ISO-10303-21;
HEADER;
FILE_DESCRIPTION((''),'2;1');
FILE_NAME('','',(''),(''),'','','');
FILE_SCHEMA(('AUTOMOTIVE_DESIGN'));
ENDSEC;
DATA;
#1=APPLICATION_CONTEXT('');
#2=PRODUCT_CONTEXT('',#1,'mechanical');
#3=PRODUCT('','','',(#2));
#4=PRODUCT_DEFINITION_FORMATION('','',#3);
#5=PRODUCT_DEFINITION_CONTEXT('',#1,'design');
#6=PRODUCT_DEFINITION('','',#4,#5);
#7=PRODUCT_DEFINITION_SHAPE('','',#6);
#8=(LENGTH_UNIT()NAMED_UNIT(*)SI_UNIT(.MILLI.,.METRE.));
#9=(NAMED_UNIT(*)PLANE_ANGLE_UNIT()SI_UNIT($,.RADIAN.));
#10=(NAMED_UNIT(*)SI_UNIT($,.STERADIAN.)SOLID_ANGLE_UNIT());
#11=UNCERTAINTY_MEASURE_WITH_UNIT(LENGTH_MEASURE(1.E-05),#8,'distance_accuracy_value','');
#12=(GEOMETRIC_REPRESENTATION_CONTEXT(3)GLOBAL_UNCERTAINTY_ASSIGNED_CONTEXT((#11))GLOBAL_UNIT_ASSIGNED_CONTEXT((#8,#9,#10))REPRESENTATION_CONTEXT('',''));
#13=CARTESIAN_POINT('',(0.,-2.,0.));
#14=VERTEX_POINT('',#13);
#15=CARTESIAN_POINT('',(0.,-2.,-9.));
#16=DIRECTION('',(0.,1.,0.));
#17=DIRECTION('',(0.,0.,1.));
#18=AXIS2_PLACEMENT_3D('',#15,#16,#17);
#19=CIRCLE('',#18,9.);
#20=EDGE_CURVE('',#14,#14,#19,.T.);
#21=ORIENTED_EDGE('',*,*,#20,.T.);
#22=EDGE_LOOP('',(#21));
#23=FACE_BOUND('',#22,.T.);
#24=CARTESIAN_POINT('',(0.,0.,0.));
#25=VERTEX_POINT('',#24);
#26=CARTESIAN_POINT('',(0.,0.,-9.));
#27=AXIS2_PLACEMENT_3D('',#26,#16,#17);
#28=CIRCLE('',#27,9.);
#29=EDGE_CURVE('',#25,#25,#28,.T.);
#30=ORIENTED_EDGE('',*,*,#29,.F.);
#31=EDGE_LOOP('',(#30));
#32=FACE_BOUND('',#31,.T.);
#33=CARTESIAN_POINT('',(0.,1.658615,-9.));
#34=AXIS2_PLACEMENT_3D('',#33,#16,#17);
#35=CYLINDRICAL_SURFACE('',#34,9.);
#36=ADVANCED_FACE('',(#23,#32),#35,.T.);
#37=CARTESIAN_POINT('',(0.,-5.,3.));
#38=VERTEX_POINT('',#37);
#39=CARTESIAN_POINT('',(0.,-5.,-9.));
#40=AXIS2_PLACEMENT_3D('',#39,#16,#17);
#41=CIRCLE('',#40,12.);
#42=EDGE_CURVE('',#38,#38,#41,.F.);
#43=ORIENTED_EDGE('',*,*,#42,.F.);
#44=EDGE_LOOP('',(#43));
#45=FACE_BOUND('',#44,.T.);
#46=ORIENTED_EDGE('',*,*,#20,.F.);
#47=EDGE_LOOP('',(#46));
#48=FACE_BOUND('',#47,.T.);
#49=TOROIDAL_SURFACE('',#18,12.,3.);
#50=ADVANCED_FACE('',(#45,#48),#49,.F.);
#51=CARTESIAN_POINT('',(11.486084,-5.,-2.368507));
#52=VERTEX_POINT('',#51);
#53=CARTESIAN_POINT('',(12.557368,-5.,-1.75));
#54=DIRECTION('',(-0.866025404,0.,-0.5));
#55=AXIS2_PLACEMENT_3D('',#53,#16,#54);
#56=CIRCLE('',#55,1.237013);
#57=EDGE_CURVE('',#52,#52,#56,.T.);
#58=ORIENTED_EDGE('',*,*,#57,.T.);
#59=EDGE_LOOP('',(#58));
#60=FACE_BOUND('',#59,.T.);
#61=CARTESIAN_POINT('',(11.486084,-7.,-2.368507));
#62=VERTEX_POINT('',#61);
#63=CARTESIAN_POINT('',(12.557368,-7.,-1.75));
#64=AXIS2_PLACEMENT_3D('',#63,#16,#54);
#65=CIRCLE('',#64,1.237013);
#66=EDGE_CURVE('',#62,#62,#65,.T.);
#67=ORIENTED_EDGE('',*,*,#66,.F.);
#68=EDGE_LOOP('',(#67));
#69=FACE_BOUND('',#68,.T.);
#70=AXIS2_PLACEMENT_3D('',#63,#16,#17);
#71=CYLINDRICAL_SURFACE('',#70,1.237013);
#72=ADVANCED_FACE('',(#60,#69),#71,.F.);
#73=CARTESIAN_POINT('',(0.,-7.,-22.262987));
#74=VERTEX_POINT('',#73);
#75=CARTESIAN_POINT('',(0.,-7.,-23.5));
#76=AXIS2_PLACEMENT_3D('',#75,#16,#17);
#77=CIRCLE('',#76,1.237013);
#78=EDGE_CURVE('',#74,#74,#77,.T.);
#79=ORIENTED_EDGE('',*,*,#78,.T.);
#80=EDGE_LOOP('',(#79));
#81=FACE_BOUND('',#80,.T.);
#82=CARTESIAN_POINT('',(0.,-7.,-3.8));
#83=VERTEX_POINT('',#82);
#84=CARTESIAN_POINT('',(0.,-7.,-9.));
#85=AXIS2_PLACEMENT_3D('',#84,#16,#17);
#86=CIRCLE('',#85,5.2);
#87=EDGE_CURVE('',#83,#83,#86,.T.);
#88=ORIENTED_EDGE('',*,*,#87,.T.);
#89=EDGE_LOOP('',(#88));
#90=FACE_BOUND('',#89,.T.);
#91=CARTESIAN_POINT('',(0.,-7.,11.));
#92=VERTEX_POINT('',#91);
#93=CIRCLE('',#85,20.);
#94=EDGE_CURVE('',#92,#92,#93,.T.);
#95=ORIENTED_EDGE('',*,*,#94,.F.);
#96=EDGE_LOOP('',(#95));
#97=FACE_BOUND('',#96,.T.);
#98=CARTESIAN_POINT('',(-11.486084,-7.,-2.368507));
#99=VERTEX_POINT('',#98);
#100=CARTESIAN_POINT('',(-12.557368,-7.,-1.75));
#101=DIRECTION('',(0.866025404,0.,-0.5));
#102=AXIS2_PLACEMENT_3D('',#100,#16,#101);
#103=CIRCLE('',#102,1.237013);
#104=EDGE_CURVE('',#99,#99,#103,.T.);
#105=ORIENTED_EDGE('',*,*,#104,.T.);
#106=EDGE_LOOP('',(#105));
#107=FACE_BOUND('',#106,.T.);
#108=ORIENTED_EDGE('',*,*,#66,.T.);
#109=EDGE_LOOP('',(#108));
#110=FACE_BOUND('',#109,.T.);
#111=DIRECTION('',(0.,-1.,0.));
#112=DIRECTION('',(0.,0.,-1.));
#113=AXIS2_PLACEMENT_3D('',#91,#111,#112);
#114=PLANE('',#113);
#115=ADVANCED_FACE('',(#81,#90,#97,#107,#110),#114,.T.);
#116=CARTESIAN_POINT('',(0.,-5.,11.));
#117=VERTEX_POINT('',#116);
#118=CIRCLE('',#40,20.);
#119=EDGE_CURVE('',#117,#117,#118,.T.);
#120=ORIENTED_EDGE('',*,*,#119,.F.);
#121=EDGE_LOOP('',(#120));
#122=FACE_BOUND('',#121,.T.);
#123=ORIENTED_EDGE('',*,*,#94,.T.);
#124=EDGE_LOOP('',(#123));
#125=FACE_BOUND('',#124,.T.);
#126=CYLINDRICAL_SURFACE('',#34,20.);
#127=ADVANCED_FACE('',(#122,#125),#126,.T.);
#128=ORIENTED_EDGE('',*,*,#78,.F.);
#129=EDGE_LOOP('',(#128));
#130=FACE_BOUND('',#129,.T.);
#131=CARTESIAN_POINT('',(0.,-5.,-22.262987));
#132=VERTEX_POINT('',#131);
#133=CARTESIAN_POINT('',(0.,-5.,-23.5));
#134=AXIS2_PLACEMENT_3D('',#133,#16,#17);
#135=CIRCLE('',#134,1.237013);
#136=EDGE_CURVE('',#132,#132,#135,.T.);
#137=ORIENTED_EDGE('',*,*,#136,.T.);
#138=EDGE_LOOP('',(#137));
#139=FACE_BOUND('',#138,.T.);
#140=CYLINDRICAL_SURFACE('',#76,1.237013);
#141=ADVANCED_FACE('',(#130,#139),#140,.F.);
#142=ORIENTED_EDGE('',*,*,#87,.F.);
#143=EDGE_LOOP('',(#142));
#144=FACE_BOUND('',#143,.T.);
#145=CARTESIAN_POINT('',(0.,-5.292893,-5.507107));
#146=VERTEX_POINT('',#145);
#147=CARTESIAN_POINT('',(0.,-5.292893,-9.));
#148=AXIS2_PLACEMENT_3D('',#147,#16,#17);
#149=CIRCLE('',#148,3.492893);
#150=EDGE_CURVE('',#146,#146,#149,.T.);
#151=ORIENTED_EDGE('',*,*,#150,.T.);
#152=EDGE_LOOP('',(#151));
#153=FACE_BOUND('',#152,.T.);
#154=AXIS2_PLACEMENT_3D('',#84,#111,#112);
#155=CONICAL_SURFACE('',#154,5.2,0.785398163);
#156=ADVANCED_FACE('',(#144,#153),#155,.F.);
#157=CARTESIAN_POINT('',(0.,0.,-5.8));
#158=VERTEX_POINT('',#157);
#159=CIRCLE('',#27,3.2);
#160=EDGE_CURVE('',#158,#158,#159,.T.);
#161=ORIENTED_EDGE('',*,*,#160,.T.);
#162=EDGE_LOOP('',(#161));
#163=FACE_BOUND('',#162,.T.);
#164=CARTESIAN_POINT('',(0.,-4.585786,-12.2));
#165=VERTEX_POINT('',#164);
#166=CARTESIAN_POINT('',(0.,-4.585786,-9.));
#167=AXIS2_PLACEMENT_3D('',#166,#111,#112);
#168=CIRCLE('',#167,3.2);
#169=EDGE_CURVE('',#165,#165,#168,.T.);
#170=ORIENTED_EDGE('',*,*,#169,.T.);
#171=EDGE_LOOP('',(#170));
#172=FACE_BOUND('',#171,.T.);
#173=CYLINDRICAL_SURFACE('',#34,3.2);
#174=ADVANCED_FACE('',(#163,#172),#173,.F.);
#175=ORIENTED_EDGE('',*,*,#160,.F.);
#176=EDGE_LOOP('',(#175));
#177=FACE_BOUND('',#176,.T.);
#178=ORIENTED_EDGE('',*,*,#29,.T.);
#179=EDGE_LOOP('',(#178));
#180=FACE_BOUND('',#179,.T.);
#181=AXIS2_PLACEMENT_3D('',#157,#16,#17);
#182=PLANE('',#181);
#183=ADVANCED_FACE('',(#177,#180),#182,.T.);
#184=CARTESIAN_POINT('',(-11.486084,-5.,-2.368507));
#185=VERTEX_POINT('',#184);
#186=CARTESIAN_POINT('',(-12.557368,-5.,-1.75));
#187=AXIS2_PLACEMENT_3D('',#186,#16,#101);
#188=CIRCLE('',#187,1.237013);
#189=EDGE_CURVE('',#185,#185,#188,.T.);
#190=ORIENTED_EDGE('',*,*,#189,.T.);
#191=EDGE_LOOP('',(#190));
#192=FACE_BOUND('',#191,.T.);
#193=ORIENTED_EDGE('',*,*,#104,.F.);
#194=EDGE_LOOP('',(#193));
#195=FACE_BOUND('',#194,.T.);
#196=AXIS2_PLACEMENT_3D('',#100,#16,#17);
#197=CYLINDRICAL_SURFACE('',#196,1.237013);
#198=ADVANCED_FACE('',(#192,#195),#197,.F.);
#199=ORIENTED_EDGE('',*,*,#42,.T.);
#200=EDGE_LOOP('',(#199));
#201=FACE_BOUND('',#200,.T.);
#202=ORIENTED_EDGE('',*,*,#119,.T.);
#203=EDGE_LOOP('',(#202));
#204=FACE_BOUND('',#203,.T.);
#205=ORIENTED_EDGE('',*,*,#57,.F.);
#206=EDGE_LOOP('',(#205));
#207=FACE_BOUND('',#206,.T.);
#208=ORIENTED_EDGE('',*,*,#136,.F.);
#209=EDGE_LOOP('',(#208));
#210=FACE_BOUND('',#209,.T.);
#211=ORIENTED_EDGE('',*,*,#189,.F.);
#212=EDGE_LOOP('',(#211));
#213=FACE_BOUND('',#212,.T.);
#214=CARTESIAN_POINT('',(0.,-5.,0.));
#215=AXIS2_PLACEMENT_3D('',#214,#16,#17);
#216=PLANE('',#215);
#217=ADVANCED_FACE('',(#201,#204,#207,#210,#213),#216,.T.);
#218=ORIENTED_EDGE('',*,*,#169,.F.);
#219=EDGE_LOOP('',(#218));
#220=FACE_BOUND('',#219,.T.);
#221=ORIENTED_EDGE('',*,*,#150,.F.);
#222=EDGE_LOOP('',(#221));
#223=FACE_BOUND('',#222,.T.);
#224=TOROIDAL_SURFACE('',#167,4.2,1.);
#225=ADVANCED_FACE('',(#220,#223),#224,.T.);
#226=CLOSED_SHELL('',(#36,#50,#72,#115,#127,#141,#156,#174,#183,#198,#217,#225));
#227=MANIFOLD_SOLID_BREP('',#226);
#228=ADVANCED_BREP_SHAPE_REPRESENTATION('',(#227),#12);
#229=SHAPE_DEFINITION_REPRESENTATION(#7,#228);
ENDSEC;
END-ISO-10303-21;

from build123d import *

# Parameters (mm, degrees)
SKETCH2_R          = 1.237013061
CUT_EXTRUDE1_DEPTH = 36.580893749
CIRPATTERN1_COUNT  = 3
FILLET2_R          = 3
FILLET3_R          = 1


with BuildPart() as part:
    # Sketch1 → Revolve1 (revolve)
    with BuildSketch(Plane(origin=(0, 0, 0), x_dir=(0, 0, -1), z_dir=(1, 0, 0))):
        Polygon((0, 0), (0, -5), (-11, -5), (-11, -7), (3.8, -7), (5.8, -5), (5.8, 0), align=None)
    revolve(axis=Axis((0, 1.658614865, -9), (0, -1, 0)))

    # Sketch2 → Cut-Extrude1 (cut, through all)
    with BuildSketch(Plane(origin=(0, -5, 0), x_dir=(1, 0, 0), z_dir=(0, 1, 0))):
        with Locations(Location((0, 23.5, 0), (0, 0, 270))):
            Circle(SKETCH2_R)
    cut_extrude1 = extrude(amount=-CUT_EXTRUDE1_DEPTH, mode=Mode.SUBTRACT)

    # CirPattern1: Cut-Extrude1 ×3 about axis
    cirpattern1_axis = Axis((0, 0, -9), (0, 1, 0))
    for i in range(1, CIRPATTERN1_COUNT):
        add(cut_extrude1.rotate(cirpattern1_axis, i * 360 / CIRPATTERN1_COUNT), mode=Mode.SUBTRACT)

    # Fillet2
    fillet2_edges = [part.edges().sort_by_distance(p)[0] for p in [
        (0, -5, -18),
    ]]
    fillet(fillet2_edges, radius=FILLET2_R)

    # Fillet3
    fillet3_edges = [part.edges().sort_by_distance(p)[0] for p in [
        (0, -5, -12.2),
    ]]
    fillet(fillet3_edges, radius=FILLET3_R)


solid = part.part
